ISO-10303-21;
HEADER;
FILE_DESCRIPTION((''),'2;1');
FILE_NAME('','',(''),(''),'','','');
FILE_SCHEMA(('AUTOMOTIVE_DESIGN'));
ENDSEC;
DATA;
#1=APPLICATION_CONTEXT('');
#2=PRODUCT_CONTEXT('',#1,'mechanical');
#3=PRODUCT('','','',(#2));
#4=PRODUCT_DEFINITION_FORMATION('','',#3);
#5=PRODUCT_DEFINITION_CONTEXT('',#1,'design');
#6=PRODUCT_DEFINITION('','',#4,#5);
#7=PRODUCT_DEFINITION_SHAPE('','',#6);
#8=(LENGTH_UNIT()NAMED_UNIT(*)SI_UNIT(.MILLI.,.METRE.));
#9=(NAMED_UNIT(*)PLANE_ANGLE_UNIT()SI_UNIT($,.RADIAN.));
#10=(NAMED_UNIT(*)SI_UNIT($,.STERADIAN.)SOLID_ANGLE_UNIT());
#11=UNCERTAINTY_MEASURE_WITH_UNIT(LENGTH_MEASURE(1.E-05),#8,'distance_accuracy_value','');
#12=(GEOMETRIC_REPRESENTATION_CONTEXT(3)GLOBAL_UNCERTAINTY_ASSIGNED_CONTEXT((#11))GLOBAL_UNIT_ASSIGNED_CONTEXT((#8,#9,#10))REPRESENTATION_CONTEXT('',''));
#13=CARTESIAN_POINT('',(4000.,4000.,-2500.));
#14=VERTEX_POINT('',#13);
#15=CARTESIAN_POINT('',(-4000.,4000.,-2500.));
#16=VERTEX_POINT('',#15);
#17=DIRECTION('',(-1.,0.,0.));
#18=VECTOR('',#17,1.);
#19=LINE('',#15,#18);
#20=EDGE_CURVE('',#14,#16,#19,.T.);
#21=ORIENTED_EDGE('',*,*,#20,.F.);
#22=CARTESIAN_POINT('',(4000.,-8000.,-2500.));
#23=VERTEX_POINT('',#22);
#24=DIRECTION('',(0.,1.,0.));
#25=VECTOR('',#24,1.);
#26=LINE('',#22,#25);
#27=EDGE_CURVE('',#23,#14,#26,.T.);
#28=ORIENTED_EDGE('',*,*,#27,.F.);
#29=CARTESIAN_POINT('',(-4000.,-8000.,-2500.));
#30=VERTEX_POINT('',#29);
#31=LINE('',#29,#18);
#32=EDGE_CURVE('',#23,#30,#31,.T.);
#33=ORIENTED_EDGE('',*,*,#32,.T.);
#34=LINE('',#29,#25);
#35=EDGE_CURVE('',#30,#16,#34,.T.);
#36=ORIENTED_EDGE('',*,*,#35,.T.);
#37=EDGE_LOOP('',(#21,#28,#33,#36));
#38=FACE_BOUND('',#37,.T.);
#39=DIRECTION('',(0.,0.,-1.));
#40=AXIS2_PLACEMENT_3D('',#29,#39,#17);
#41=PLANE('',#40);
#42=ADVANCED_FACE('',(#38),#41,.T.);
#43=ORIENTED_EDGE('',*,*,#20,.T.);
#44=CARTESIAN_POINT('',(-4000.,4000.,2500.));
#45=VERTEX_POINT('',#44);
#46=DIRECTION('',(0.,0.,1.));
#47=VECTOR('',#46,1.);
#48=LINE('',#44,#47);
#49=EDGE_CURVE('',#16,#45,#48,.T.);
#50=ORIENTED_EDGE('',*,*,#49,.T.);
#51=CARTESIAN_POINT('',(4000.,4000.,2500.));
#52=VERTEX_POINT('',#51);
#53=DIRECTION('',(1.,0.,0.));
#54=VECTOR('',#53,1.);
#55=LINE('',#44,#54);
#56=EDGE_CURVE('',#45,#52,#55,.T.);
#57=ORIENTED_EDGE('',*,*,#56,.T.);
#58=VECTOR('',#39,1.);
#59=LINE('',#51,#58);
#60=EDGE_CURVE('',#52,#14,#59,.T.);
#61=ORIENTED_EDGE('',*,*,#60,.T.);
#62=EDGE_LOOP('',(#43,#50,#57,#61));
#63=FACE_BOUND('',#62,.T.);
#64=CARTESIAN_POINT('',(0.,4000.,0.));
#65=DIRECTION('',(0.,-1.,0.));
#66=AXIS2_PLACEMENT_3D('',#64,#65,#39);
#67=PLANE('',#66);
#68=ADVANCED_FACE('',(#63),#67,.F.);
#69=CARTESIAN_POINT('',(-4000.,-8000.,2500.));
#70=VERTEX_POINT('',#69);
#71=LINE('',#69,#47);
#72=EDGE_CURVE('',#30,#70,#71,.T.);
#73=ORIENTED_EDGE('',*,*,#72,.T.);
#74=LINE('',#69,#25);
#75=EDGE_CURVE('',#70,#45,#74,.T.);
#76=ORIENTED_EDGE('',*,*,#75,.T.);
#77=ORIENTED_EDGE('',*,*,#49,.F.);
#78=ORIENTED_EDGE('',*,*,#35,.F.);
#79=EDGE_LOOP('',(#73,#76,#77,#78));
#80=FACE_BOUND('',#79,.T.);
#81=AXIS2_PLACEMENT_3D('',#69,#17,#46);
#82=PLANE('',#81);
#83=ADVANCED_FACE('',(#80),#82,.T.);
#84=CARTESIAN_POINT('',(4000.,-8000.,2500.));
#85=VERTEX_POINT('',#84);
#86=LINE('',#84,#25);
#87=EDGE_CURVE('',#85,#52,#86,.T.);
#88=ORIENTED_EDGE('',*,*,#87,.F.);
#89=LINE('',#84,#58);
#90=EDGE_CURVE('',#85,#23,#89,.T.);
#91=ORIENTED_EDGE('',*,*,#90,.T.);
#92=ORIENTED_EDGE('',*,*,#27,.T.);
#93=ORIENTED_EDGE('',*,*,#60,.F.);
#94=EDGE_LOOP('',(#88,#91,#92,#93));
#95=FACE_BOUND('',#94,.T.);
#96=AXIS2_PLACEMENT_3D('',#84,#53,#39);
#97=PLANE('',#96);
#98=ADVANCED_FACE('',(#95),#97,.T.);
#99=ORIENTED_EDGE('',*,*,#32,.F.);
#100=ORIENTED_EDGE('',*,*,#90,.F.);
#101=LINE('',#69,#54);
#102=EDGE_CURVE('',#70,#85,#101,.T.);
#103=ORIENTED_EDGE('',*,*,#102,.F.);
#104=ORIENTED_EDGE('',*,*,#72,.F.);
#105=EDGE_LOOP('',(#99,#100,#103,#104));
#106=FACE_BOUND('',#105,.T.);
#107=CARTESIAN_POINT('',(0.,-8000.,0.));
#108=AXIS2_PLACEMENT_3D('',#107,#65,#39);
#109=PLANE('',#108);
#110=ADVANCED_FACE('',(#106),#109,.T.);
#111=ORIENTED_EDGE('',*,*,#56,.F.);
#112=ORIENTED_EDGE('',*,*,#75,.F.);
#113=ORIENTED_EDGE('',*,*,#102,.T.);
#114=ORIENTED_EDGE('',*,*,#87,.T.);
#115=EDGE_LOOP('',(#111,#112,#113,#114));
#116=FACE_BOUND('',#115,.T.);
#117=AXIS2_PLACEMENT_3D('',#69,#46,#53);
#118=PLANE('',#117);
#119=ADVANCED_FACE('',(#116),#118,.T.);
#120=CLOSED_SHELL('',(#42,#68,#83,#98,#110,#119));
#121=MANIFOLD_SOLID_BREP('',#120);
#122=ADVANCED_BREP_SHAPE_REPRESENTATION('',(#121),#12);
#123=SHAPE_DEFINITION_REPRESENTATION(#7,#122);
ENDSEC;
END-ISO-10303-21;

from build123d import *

# Parameters (mm, degrees)
SKETCH1_W                = 8000
SKETCH1_H                = 5000
BOSS_EXTRUDE1_DEPTH      = 4000
BOSS_EXTRUDE1_DEPTH_BACK = 8000


with BuildPart() as part:
    # Sketch1 → Boss-Extrude1 (new body, two sides)
    with BuildSketch(Plane(origin=(0, 0, 0), x_dir=(1, 0, 0), z_dir=(0, 1, 0))) as boss_extrude1_sk:
        Rectangle(SKETCH1_W, SKETCH1_H)
    extrude(amount=BOSS_EXTRUDE1_DEPTH)
    extrude(boss_extrude1_sk.sketch, amount=-BOSS_EXTRUDE1_DEPTH_BACK)


solid = part.part
